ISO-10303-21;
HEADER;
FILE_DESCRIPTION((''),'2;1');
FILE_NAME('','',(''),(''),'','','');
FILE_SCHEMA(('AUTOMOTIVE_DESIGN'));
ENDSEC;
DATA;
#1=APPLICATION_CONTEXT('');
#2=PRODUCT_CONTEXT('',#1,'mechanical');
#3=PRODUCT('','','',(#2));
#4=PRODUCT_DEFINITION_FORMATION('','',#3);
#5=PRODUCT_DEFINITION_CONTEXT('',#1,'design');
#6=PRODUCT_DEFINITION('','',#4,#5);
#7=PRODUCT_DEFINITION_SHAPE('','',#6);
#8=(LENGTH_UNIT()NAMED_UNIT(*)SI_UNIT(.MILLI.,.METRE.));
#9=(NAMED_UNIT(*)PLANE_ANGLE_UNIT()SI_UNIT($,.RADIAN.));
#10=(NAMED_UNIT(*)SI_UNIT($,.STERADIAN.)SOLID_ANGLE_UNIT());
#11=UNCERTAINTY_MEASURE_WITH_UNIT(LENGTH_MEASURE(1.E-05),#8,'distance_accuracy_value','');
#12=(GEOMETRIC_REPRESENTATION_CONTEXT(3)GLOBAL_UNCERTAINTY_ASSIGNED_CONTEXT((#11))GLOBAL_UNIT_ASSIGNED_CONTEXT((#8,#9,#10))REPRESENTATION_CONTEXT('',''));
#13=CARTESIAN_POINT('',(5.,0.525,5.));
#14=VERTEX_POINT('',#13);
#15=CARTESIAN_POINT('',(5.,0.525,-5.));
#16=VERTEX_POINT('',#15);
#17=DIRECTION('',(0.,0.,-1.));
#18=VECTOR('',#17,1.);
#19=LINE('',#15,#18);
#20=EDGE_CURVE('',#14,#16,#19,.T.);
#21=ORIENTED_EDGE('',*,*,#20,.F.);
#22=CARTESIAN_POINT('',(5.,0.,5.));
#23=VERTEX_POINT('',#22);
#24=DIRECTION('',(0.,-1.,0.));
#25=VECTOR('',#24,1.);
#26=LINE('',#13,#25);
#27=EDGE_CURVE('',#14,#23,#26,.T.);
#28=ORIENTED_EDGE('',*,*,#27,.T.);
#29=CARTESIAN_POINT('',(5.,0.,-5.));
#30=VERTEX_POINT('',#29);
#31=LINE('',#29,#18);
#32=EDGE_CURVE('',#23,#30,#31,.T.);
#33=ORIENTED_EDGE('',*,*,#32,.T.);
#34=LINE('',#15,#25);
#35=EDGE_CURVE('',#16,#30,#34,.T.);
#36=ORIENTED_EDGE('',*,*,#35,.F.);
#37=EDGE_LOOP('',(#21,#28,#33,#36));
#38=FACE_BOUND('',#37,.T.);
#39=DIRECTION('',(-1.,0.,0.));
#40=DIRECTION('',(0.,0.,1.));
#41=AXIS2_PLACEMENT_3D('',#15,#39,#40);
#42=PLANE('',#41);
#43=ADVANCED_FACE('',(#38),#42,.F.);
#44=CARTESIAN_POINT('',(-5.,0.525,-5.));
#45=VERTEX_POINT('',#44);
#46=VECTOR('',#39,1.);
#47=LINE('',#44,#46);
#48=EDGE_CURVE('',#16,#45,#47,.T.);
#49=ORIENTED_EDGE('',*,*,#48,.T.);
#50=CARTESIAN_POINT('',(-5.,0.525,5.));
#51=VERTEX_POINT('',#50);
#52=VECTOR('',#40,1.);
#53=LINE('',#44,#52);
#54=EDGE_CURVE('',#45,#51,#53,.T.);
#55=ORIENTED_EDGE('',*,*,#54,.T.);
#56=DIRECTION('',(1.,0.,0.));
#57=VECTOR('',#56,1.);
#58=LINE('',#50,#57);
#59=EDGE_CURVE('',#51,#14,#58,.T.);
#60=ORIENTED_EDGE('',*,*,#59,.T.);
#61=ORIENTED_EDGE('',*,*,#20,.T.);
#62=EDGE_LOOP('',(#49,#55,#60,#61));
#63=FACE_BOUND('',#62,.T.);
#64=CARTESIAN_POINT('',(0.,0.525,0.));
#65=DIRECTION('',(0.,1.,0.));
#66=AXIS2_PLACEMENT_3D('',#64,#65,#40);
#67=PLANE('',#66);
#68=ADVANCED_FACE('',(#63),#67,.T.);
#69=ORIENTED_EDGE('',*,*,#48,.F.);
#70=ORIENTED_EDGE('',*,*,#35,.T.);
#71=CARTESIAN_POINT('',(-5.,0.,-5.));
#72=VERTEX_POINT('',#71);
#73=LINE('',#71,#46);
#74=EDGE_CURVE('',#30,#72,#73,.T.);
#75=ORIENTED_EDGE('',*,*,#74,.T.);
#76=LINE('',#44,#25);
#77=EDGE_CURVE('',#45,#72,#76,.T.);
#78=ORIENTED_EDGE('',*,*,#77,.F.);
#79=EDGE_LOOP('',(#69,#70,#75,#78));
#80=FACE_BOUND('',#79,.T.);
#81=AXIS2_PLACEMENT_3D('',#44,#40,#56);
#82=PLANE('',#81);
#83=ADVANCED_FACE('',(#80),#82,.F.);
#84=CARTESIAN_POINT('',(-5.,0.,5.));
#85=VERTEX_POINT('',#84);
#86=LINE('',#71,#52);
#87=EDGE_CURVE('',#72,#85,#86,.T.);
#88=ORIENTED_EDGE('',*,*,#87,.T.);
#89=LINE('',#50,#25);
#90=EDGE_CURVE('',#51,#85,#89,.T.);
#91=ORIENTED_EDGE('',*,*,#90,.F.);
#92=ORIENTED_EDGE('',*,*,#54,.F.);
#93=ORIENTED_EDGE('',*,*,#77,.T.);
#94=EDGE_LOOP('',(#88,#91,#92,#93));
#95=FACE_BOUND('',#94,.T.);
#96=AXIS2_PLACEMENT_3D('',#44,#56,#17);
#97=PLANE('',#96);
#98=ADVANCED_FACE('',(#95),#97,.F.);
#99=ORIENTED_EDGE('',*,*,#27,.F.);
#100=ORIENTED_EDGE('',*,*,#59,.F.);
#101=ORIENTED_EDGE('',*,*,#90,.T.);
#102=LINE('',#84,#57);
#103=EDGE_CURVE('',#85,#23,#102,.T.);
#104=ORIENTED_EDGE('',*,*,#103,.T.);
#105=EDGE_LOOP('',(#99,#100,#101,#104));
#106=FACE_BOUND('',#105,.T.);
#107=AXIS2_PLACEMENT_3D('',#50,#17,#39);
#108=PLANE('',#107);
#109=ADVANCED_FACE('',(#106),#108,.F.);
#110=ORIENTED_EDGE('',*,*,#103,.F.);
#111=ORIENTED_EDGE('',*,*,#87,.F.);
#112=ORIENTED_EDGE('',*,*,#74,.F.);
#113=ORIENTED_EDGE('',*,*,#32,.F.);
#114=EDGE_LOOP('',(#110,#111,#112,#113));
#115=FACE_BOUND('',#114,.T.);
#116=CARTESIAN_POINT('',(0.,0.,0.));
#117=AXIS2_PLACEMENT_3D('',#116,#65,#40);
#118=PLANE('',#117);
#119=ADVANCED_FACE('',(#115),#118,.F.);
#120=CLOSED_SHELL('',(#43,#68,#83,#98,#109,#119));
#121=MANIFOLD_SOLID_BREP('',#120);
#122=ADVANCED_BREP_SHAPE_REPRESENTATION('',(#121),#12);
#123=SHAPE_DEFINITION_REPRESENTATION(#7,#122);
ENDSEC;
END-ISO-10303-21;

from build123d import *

# Parameters (mm, degrees)
SKETCH2_W           = 10
SKETCH2_H           = 10
BOSS_EXTRUDE1_DEPTH = 0.525


with BuildPart() as part:
    # Sketch2 → Boss-Extrude1 (new body)
    with BuildSketch(Plane(origin=(0, 0, 0), x_dir=(1, 0, 0), z_dir=(0, 1, 0))):
        Rectangle(SKETCH2_W, SKETCH2_H)
    extrude(amount=BOSS_EXTRUDE1_DEPTH)


solid = part.part
